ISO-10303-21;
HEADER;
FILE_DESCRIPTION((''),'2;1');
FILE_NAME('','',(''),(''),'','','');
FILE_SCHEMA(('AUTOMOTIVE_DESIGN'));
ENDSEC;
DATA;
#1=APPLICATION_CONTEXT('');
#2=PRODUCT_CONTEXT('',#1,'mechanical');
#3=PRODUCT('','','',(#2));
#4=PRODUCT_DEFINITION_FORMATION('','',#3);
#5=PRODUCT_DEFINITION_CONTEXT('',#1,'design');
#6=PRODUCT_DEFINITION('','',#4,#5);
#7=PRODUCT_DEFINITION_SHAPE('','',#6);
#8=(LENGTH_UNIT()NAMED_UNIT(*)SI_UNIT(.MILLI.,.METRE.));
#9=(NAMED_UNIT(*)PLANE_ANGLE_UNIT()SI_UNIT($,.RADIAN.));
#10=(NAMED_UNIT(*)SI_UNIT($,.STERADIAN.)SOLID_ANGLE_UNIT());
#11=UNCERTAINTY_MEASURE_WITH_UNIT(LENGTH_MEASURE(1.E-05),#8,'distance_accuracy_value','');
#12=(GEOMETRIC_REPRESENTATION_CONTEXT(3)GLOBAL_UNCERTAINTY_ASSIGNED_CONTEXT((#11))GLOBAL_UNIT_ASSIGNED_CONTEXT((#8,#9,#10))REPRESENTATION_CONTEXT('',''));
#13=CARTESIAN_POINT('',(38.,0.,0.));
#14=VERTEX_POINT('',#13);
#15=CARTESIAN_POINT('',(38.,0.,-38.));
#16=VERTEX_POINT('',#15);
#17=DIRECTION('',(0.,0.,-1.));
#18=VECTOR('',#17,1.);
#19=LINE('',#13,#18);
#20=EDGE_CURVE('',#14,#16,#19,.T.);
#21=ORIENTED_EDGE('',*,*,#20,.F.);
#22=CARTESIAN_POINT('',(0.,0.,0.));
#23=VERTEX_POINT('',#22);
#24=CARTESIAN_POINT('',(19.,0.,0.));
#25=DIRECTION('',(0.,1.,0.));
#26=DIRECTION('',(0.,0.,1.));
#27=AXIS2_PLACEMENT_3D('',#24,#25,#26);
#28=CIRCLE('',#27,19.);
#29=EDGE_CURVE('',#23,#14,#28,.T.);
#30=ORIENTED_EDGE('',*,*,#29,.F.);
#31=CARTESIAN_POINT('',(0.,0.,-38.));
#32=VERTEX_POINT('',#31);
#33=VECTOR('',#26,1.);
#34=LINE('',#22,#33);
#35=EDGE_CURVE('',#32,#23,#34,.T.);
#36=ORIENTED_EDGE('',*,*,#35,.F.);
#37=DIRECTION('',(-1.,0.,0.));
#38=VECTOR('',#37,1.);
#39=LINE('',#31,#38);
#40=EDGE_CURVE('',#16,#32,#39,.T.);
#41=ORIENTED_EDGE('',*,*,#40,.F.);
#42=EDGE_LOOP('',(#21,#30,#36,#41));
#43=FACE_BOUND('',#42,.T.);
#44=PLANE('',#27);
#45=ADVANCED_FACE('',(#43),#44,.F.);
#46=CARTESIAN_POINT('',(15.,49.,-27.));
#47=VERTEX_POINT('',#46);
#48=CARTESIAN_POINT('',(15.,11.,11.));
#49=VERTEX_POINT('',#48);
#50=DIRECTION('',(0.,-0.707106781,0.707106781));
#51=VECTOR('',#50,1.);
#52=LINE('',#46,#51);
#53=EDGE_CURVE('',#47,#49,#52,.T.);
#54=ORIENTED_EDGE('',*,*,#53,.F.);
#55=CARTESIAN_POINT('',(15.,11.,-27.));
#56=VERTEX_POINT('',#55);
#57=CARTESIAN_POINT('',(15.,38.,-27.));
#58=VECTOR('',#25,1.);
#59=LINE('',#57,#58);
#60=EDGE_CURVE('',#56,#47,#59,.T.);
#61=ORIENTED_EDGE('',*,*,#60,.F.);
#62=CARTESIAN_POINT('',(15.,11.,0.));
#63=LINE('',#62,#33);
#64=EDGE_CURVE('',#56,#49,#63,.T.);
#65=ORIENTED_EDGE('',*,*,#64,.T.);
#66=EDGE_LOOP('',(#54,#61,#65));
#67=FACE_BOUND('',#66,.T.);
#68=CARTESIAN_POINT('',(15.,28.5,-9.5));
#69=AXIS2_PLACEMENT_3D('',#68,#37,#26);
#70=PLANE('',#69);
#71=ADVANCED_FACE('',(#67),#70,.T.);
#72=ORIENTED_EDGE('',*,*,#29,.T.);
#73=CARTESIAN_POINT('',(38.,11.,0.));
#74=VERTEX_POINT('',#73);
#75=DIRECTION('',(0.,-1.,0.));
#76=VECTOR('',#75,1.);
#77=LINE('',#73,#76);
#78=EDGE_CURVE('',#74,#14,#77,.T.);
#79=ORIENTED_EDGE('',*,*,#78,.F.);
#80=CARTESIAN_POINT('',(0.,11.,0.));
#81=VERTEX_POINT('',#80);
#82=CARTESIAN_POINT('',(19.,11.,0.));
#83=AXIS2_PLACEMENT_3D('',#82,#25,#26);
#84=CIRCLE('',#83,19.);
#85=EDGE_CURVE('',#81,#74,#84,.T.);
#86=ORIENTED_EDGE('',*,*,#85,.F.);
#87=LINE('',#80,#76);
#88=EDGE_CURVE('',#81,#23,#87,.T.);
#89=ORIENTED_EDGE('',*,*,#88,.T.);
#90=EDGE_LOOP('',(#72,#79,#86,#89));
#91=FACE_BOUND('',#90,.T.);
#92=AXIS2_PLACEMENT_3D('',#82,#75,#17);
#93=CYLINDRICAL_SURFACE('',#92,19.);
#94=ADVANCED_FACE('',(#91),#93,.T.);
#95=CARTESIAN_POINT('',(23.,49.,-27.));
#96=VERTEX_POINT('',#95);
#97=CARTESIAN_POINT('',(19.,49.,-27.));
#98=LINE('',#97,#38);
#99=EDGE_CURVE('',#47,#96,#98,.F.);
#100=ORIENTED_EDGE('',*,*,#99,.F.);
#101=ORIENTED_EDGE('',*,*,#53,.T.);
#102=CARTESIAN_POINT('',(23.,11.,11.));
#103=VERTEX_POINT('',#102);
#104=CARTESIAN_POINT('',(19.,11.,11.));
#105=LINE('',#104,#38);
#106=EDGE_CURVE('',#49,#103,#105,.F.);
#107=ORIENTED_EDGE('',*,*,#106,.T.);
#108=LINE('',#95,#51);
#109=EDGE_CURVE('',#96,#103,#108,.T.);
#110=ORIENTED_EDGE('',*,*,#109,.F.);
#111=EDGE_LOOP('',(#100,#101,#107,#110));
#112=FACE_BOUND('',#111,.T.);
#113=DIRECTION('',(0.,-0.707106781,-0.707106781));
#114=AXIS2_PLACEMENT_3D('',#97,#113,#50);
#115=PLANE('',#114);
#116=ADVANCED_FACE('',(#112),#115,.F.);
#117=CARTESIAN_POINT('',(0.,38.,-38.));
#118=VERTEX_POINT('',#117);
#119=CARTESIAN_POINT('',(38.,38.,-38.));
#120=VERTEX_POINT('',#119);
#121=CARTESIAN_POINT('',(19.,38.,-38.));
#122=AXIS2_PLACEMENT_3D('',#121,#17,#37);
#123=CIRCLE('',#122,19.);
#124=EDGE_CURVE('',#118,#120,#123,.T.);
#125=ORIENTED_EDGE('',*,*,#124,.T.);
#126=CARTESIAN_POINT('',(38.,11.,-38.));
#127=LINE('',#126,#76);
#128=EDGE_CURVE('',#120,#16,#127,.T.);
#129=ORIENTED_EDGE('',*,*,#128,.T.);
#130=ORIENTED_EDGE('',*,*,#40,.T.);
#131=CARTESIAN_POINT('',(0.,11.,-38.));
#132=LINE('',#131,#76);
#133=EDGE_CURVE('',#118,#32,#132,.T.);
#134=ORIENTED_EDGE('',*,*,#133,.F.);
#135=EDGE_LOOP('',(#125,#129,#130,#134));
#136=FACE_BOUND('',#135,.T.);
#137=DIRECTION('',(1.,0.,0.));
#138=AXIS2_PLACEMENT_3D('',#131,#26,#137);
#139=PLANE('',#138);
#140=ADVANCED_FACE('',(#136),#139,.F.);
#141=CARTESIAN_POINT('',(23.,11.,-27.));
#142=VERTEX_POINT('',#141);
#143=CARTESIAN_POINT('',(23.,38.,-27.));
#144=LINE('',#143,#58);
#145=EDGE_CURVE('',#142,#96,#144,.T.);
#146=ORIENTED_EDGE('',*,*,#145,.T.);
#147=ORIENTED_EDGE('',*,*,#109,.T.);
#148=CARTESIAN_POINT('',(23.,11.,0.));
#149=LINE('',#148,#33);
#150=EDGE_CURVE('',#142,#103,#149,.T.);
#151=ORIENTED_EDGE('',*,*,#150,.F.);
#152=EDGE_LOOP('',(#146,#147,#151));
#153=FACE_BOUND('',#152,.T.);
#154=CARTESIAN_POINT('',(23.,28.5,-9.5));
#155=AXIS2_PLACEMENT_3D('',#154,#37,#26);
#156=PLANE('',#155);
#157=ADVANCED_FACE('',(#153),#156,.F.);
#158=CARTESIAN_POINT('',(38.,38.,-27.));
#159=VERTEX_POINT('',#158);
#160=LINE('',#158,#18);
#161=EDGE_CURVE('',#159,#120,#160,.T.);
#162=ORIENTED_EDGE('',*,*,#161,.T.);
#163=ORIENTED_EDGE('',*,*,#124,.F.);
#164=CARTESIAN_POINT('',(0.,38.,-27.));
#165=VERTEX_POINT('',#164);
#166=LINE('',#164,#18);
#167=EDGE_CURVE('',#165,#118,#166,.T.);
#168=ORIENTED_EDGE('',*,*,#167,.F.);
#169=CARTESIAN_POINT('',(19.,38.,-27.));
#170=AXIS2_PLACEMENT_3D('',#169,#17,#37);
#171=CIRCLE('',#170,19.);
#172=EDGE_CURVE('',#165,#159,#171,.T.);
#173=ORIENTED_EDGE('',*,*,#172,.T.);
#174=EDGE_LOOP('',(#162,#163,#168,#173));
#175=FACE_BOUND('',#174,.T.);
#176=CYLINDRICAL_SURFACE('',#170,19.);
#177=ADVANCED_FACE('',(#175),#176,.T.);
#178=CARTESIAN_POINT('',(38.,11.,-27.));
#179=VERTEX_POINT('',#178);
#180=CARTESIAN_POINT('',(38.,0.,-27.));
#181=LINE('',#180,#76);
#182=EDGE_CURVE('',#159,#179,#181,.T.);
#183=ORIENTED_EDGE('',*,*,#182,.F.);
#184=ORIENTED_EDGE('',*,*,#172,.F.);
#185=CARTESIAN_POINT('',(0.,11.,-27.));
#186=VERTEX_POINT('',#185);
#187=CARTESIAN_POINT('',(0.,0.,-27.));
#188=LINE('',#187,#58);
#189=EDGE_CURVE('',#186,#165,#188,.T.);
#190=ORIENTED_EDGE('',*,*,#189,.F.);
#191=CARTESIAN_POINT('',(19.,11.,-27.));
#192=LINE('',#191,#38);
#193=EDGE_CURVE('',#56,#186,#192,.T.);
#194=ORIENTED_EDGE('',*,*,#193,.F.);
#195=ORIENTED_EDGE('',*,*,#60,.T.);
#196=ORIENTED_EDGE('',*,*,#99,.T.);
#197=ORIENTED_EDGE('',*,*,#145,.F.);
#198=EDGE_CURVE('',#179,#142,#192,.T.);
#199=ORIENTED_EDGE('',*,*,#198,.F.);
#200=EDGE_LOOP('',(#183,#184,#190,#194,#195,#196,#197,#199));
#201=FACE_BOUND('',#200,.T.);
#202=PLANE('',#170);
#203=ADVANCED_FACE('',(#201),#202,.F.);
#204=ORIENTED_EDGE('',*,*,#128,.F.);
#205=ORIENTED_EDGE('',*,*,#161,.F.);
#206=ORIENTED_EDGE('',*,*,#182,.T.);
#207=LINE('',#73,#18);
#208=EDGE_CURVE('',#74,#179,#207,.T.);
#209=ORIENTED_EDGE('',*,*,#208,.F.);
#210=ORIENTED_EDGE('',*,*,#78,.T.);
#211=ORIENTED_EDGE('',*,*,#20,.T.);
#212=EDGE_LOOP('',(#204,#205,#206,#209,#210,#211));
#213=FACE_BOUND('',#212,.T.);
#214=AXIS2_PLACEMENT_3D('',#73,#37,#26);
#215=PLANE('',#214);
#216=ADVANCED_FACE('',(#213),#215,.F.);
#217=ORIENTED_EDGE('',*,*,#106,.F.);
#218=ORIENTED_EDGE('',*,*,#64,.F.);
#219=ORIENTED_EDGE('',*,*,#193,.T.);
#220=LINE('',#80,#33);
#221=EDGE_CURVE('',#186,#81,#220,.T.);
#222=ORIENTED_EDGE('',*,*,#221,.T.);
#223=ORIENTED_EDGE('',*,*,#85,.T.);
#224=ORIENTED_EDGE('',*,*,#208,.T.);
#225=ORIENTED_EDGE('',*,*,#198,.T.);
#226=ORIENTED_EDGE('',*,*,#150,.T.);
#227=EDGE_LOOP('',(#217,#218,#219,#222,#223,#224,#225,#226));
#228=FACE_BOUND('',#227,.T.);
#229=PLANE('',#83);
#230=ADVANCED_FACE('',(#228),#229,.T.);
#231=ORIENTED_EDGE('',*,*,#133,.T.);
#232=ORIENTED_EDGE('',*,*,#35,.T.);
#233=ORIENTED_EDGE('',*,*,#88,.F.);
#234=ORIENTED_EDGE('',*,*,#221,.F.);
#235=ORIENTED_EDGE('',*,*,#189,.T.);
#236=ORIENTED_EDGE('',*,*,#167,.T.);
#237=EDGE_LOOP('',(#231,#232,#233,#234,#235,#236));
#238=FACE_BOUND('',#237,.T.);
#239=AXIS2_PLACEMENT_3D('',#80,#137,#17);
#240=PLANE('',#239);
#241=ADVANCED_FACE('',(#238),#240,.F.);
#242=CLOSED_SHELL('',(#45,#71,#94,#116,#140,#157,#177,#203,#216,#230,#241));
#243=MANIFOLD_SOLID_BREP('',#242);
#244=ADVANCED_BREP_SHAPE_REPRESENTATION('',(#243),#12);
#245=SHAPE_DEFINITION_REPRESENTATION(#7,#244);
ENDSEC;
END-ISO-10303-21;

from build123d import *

# Parameters (mm, degrees)
BOSS_EXTRUDE1_DEPTH = 11
BOSS_EXTRUDE4_DEPTH = 11
RIB1_REACH          = 73.091
SKETCH9_WALL_W      = 197.923096068
SKETCH9_WALL_H      = 8


with BuildPart() as part:
    # Sketch2 → Boss-Extrude1 (new body)
    with BuildSketch(Plane(origin=(0, 0, 0), x_dir=(1, 0, 0), z_dir=(0, 1, 0))):
        with BuildLine():
            Line((0, 0), (0, 38))
            Line((0, 38), (38, 38))
            Line((38, 38), (38, 0))
            ThreePointArc((38, 0), (19, -19), (0, 0))
        make_face()
    extrude(amount=BOSS_EXTRUDE1_DEPTH)

    # Sketch3 → Boss-Extrude4 (add)
    with BuildSketch(Plane(origin=(0, 0, -38), x_dir=(-1, 0, 0), z_dir=(0, 0, -1))):
        with BuildLine():
            Line((-38, 0), (0, 0))
            Line((0, 0), (0, 38))
            ThreePointArc((0, 38), (-19, 57), (-38, 38))
            Line((-38, 38), (-38, 0))
        make_face()
    extrude(amount=-BOSS_EXTRUDE4_DEPTH)

    # Sketch9 wall → Rib1 (add, up to next)
    with BuildSketch(Plane(origin=(19, 30, -8), x_dir=(0, -0.707106781187, 0.707106781187), z_dir=(0, 0.707106781187, 0.707106781187)), mode=Mode.PRIVATE) as rib1_sk1:
        Rectangle(SKETCH9_WALL_W, SKETCH9_WALL_H)
    rib1_tool1 = extrude(rib1_sk1.sketch, amount=-RIB1_REACH, mode=Mode.PRIVATE) - part.part
    add(rib1_tool1.solids().sort_by_distance((19, 30, -8))[0])


solid = part.part
